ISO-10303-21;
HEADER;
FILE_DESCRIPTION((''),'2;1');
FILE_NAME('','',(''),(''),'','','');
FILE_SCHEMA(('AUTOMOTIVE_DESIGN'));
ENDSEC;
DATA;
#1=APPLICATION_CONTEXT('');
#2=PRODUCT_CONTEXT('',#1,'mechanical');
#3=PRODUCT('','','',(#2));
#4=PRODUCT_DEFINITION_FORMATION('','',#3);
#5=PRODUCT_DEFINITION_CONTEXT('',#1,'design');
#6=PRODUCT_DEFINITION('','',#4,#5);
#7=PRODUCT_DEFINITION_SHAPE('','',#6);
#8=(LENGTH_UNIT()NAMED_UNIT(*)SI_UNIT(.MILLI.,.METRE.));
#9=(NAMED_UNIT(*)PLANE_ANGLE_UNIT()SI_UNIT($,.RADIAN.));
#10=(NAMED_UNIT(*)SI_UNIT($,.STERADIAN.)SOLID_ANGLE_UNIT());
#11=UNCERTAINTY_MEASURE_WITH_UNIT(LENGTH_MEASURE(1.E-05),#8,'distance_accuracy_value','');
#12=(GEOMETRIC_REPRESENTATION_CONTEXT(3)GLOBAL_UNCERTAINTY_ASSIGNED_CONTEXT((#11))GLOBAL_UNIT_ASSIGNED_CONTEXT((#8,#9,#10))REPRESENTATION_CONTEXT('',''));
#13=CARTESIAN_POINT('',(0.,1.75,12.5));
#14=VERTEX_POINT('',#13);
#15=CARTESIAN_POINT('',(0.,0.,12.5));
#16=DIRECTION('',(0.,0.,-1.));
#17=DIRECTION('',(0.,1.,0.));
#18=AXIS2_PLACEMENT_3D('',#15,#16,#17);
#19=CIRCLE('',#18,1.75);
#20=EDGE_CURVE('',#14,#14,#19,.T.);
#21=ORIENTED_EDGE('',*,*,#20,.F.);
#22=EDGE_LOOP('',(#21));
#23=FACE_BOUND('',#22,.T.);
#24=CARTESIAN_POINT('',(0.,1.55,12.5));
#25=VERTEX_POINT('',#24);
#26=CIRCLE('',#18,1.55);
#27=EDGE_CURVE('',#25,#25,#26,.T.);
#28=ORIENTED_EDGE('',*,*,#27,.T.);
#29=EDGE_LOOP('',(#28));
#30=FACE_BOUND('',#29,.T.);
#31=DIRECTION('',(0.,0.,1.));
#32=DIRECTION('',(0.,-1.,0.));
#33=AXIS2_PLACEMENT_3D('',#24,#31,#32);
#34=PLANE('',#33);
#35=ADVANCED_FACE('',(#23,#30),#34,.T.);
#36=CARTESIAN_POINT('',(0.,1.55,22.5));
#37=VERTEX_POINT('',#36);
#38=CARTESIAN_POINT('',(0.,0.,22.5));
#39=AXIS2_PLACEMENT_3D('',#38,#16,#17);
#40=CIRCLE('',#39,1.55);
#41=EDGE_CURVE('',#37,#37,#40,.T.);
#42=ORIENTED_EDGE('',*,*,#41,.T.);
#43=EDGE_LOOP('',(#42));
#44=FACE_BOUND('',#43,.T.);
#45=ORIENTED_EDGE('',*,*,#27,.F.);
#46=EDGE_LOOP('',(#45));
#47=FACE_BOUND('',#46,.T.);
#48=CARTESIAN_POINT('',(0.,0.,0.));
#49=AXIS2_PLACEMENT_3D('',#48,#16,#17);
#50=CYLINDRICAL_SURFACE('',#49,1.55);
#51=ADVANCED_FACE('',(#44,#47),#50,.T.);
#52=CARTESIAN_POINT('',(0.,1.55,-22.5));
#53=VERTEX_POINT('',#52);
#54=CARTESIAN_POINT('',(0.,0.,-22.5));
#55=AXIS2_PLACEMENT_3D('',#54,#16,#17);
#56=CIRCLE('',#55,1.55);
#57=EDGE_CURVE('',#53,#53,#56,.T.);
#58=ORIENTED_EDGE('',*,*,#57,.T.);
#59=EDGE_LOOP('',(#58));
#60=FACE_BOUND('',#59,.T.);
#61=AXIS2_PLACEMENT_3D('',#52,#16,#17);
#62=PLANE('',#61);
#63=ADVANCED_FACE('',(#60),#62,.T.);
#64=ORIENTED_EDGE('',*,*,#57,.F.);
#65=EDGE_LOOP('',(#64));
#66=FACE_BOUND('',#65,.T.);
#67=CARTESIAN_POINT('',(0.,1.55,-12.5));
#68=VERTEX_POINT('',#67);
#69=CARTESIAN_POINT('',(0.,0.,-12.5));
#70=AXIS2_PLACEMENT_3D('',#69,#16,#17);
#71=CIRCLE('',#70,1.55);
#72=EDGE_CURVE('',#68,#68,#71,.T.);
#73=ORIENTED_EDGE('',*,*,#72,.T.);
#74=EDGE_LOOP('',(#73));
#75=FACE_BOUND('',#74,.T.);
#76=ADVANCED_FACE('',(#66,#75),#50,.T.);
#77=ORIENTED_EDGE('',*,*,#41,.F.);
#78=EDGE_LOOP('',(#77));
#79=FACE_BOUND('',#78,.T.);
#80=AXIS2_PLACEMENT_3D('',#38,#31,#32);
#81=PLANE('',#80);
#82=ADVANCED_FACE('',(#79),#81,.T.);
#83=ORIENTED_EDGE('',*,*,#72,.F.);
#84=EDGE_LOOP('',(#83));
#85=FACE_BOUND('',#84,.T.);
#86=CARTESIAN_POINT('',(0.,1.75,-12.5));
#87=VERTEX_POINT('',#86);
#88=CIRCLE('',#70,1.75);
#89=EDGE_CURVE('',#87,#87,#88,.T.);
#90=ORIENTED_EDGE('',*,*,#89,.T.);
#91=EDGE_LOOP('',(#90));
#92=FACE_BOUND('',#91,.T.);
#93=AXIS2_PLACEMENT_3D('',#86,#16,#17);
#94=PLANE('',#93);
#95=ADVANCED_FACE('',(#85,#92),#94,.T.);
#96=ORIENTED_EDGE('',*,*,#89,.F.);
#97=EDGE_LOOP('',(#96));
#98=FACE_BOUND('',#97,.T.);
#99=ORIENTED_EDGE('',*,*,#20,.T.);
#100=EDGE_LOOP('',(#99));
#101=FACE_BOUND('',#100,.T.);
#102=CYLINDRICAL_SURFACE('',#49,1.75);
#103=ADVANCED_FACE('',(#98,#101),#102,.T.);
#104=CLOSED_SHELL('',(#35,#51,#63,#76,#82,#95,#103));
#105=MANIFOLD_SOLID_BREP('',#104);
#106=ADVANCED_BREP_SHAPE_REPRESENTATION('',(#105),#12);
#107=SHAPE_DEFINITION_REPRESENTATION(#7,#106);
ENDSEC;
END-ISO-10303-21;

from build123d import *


with BuildPart() as part:
    # Sketch1 → Revolve1 (revolve)
    with BuildSketch(Plane(origin=(0, 0, 0), x_dir=(0, 0, -1), z_dir=(1, 0, 0))):
        Polygon((0, 0), (-22.5, 0), (-22.5, 1.55), (-12.5, 1.55), (-12.5, 1.75), (12.5, 1.75), (12.5, 1.55), (22.5, 1.55), (22.5, 0), align=None)
    revolve(axis=Axis((0, 0, 0), (0, 0, 1)))


solid = part.part
